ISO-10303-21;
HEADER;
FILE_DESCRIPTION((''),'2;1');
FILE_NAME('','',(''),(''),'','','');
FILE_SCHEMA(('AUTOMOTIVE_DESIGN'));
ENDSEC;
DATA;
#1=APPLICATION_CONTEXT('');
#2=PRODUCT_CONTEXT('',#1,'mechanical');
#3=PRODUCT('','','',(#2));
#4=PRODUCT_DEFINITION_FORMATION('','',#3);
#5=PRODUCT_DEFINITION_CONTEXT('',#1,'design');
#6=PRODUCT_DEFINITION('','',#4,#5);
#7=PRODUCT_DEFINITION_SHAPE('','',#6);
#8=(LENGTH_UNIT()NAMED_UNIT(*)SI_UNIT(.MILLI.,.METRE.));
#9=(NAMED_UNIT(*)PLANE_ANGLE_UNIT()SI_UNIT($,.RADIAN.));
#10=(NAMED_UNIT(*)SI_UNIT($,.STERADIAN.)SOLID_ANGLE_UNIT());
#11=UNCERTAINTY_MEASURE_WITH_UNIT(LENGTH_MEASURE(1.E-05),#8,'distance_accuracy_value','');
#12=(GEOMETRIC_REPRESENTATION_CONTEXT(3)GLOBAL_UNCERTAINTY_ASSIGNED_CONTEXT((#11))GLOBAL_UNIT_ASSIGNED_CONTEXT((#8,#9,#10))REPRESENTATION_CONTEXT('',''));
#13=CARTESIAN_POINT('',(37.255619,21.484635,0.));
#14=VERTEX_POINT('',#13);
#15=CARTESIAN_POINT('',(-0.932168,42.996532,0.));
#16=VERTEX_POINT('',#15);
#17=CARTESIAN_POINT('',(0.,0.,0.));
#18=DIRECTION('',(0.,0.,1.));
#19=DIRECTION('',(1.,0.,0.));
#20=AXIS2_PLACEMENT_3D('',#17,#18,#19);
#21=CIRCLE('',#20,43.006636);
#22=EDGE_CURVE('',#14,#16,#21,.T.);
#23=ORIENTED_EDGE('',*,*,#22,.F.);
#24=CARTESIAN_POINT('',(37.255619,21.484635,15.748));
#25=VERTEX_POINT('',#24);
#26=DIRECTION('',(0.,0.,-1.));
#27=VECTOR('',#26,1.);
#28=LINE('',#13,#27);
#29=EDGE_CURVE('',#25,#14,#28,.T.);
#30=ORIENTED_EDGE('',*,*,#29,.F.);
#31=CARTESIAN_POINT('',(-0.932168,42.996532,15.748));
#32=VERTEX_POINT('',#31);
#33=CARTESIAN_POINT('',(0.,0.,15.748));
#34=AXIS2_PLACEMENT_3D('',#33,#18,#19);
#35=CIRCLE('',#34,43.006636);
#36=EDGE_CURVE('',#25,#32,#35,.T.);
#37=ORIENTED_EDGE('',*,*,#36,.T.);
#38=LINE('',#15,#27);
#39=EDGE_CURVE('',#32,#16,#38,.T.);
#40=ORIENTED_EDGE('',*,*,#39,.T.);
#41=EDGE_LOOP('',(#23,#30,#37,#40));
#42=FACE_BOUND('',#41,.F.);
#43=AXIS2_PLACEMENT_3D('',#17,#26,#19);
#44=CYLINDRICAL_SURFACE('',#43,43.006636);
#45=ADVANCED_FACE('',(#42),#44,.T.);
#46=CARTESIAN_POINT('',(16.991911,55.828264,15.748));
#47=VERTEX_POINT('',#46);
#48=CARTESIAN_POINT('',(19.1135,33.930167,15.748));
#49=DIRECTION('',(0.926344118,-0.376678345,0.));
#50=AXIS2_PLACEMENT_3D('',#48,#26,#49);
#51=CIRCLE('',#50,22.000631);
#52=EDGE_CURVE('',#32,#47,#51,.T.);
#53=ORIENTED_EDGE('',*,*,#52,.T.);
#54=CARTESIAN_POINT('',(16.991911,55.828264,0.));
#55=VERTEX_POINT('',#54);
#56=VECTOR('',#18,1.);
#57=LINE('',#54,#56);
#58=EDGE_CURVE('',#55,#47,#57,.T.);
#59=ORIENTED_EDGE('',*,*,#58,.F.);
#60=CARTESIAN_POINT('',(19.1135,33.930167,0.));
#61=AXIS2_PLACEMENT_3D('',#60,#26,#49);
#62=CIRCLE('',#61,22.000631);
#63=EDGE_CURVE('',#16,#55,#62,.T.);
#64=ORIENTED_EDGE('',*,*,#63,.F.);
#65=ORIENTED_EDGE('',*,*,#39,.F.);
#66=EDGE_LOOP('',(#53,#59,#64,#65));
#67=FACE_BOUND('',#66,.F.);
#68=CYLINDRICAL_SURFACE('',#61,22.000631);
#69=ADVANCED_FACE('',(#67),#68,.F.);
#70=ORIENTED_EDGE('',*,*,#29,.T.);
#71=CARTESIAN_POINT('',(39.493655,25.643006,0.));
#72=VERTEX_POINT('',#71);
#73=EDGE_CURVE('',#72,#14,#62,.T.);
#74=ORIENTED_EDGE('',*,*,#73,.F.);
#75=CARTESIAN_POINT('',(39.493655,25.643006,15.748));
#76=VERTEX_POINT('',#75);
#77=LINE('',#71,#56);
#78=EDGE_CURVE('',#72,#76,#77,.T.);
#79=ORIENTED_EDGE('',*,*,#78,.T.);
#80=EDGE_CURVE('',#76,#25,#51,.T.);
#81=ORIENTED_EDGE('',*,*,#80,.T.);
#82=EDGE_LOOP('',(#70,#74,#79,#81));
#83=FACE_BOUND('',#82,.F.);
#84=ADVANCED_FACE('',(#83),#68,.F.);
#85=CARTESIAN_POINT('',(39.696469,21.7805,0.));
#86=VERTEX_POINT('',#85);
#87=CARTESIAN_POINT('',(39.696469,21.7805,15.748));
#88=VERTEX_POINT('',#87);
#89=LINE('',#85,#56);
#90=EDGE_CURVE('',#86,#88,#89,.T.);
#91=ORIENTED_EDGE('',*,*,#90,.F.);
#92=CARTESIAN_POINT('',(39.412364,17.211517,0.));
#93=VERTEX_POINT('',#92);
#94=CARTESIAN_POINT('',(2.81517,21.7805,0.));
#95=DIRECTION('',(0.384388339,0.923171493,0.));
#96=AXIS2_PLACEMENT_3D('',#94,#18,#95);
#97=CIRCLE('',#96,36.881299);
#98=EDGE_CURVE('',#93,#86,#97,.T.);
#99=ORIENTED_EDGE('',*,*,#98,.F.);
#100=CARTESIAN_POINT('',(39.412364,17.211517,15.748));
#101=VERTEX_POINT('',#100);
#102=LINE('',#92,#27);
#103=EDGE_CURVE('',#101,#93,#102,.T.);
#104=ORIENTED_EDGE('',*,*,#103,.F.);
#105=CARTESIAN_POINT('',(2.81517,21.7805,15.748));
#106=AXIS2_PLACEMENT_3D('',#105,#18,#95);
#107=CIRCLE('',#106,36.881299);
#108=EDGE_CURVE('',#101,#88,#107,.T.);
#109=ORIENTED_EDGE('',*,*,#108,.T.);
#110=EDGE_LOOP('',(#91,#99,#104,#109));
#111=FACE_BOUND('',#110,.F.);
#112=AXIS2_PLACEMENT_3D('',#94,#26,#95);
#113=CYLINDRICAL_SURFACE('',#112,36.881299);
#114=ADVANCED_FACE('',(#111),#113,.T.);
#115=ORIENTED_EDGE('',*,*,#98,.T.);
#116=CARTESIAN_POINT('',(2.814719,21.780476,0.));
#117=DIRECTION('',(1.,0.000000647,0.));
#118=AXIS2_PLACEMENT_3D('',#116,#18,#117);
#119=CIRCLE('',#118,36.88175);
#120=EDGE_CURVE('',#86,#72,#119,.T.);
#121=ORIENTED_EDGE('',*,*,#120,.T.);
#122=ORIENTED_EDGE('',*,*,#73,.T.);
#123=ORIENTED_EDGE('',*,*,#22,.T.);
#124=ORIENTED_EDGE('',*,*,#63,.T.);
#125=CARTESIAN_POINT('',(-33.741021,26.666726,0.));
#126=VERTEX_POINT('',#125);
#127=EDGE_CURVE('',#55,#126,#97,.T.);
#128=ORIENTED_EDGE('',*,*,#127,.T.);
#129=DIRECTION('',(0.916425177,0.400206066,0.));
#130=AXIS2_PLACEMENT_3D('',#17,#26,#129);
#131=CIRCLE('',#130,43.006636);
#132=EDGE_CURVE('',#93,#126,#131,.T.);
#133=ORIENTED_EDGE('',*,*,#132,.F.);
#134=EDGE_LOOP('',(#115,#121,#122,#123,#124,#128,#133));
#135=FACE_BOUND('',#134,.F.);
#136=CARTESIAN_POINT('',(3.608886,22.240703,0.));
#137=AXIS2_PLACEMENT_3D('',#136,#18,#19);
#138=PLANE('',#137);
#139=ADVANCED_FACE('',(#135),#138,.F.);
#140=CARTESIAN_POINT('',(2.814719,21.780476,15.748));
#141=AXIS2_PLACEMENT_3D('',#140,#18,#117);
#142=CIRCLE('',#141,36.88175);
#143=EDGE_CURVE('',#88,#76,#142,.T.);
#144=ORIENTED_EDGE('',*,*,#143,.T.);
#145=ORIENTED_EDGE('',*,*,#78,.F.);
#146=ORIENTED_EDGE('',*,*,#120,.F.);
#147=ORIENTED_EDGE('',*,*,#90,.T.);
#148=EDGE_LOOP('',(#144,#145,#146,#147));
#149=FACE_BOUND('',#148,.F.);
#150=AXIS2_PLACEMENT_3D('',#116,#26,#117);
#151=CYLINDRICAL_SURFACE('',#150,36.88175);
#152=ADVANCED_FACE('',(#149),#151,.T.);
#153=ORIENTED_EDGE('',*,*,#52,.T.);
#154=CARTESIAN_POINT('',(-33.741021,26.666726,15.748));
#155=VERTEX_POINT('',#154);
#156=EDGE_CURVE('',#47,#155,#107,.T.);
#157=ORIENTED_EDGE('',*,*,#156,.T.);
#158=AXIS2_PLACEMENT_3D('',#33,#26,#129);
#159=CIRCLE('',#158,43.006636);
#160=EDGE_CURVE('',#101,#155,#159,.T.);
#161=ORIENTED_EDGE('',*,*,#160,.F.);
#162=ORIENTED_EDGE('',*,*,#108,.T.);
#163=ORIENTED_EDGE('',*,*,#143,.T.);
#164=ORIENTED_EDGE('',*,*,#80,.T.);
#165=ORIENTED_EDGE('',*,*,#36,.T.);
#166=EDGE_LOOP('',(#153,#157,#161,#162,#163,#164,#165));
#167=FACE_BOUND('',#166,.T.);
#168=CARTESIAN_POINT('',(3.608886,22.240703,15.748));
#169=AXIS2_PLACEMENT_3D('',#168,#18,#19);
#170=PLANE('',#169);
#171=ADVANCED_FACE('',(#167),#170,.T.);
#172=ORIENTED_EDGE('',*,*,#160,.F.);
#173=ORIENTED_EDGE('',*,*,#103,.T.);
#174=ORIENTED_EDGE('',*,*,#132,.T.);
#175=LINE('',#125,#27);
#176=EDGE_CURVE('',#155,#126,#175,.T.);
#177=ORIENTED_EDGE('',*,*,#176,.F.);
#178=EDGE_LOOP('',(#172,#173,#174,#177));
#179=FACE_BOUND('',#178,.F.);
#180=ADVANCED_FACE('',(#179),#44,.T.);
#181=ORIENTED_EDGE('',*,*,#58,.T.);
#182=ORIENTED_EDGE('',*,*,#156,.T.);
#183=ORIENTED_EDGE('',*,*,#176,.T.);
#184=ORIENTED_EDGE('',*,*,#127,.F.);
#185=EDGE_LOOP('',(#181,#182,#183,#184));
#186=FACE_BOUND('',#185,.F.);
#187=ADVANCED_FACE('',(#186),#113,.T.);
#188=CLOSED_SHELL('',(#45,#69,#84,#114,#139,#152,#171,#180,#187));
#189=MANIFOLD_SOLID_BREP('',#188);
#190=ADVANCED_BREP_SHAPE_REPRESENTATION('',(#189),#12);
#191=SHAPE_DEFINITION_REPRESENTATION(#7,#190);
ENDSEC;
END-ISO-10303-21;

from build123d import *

# Parameters (mm, degrees)
F0_R     = 43.006636
F1_DEPTH = 15.748
F3_DEPTH = 15.748


with BuildPart() as f1:
    # F0 (on Top) → F1 (new body)
    with BuildSketch(Plane.XY):
        Circle(F0_R)
    extrude(amount=F1_DEPTH)

    # F2 (on Top) → F3 (join)
    with BuildSketch(Plane.XY):
        with BuildLine():
            ThreePointArc((16.991911, 55.828264), (-27.869411, 1.318663), (39.696469, 21.7805))
            ThreePointArc((39.696469, 21.7805), (39.64573, 23.714413), (39.493655, 25.643006))
            ThreePointArc((39.493655, 25.643006), (1.474586, 20.781156), (16.991911, 55.828264))
        make_face()
    extrude(amount=F3_DEPTH)


solid = f1.part
